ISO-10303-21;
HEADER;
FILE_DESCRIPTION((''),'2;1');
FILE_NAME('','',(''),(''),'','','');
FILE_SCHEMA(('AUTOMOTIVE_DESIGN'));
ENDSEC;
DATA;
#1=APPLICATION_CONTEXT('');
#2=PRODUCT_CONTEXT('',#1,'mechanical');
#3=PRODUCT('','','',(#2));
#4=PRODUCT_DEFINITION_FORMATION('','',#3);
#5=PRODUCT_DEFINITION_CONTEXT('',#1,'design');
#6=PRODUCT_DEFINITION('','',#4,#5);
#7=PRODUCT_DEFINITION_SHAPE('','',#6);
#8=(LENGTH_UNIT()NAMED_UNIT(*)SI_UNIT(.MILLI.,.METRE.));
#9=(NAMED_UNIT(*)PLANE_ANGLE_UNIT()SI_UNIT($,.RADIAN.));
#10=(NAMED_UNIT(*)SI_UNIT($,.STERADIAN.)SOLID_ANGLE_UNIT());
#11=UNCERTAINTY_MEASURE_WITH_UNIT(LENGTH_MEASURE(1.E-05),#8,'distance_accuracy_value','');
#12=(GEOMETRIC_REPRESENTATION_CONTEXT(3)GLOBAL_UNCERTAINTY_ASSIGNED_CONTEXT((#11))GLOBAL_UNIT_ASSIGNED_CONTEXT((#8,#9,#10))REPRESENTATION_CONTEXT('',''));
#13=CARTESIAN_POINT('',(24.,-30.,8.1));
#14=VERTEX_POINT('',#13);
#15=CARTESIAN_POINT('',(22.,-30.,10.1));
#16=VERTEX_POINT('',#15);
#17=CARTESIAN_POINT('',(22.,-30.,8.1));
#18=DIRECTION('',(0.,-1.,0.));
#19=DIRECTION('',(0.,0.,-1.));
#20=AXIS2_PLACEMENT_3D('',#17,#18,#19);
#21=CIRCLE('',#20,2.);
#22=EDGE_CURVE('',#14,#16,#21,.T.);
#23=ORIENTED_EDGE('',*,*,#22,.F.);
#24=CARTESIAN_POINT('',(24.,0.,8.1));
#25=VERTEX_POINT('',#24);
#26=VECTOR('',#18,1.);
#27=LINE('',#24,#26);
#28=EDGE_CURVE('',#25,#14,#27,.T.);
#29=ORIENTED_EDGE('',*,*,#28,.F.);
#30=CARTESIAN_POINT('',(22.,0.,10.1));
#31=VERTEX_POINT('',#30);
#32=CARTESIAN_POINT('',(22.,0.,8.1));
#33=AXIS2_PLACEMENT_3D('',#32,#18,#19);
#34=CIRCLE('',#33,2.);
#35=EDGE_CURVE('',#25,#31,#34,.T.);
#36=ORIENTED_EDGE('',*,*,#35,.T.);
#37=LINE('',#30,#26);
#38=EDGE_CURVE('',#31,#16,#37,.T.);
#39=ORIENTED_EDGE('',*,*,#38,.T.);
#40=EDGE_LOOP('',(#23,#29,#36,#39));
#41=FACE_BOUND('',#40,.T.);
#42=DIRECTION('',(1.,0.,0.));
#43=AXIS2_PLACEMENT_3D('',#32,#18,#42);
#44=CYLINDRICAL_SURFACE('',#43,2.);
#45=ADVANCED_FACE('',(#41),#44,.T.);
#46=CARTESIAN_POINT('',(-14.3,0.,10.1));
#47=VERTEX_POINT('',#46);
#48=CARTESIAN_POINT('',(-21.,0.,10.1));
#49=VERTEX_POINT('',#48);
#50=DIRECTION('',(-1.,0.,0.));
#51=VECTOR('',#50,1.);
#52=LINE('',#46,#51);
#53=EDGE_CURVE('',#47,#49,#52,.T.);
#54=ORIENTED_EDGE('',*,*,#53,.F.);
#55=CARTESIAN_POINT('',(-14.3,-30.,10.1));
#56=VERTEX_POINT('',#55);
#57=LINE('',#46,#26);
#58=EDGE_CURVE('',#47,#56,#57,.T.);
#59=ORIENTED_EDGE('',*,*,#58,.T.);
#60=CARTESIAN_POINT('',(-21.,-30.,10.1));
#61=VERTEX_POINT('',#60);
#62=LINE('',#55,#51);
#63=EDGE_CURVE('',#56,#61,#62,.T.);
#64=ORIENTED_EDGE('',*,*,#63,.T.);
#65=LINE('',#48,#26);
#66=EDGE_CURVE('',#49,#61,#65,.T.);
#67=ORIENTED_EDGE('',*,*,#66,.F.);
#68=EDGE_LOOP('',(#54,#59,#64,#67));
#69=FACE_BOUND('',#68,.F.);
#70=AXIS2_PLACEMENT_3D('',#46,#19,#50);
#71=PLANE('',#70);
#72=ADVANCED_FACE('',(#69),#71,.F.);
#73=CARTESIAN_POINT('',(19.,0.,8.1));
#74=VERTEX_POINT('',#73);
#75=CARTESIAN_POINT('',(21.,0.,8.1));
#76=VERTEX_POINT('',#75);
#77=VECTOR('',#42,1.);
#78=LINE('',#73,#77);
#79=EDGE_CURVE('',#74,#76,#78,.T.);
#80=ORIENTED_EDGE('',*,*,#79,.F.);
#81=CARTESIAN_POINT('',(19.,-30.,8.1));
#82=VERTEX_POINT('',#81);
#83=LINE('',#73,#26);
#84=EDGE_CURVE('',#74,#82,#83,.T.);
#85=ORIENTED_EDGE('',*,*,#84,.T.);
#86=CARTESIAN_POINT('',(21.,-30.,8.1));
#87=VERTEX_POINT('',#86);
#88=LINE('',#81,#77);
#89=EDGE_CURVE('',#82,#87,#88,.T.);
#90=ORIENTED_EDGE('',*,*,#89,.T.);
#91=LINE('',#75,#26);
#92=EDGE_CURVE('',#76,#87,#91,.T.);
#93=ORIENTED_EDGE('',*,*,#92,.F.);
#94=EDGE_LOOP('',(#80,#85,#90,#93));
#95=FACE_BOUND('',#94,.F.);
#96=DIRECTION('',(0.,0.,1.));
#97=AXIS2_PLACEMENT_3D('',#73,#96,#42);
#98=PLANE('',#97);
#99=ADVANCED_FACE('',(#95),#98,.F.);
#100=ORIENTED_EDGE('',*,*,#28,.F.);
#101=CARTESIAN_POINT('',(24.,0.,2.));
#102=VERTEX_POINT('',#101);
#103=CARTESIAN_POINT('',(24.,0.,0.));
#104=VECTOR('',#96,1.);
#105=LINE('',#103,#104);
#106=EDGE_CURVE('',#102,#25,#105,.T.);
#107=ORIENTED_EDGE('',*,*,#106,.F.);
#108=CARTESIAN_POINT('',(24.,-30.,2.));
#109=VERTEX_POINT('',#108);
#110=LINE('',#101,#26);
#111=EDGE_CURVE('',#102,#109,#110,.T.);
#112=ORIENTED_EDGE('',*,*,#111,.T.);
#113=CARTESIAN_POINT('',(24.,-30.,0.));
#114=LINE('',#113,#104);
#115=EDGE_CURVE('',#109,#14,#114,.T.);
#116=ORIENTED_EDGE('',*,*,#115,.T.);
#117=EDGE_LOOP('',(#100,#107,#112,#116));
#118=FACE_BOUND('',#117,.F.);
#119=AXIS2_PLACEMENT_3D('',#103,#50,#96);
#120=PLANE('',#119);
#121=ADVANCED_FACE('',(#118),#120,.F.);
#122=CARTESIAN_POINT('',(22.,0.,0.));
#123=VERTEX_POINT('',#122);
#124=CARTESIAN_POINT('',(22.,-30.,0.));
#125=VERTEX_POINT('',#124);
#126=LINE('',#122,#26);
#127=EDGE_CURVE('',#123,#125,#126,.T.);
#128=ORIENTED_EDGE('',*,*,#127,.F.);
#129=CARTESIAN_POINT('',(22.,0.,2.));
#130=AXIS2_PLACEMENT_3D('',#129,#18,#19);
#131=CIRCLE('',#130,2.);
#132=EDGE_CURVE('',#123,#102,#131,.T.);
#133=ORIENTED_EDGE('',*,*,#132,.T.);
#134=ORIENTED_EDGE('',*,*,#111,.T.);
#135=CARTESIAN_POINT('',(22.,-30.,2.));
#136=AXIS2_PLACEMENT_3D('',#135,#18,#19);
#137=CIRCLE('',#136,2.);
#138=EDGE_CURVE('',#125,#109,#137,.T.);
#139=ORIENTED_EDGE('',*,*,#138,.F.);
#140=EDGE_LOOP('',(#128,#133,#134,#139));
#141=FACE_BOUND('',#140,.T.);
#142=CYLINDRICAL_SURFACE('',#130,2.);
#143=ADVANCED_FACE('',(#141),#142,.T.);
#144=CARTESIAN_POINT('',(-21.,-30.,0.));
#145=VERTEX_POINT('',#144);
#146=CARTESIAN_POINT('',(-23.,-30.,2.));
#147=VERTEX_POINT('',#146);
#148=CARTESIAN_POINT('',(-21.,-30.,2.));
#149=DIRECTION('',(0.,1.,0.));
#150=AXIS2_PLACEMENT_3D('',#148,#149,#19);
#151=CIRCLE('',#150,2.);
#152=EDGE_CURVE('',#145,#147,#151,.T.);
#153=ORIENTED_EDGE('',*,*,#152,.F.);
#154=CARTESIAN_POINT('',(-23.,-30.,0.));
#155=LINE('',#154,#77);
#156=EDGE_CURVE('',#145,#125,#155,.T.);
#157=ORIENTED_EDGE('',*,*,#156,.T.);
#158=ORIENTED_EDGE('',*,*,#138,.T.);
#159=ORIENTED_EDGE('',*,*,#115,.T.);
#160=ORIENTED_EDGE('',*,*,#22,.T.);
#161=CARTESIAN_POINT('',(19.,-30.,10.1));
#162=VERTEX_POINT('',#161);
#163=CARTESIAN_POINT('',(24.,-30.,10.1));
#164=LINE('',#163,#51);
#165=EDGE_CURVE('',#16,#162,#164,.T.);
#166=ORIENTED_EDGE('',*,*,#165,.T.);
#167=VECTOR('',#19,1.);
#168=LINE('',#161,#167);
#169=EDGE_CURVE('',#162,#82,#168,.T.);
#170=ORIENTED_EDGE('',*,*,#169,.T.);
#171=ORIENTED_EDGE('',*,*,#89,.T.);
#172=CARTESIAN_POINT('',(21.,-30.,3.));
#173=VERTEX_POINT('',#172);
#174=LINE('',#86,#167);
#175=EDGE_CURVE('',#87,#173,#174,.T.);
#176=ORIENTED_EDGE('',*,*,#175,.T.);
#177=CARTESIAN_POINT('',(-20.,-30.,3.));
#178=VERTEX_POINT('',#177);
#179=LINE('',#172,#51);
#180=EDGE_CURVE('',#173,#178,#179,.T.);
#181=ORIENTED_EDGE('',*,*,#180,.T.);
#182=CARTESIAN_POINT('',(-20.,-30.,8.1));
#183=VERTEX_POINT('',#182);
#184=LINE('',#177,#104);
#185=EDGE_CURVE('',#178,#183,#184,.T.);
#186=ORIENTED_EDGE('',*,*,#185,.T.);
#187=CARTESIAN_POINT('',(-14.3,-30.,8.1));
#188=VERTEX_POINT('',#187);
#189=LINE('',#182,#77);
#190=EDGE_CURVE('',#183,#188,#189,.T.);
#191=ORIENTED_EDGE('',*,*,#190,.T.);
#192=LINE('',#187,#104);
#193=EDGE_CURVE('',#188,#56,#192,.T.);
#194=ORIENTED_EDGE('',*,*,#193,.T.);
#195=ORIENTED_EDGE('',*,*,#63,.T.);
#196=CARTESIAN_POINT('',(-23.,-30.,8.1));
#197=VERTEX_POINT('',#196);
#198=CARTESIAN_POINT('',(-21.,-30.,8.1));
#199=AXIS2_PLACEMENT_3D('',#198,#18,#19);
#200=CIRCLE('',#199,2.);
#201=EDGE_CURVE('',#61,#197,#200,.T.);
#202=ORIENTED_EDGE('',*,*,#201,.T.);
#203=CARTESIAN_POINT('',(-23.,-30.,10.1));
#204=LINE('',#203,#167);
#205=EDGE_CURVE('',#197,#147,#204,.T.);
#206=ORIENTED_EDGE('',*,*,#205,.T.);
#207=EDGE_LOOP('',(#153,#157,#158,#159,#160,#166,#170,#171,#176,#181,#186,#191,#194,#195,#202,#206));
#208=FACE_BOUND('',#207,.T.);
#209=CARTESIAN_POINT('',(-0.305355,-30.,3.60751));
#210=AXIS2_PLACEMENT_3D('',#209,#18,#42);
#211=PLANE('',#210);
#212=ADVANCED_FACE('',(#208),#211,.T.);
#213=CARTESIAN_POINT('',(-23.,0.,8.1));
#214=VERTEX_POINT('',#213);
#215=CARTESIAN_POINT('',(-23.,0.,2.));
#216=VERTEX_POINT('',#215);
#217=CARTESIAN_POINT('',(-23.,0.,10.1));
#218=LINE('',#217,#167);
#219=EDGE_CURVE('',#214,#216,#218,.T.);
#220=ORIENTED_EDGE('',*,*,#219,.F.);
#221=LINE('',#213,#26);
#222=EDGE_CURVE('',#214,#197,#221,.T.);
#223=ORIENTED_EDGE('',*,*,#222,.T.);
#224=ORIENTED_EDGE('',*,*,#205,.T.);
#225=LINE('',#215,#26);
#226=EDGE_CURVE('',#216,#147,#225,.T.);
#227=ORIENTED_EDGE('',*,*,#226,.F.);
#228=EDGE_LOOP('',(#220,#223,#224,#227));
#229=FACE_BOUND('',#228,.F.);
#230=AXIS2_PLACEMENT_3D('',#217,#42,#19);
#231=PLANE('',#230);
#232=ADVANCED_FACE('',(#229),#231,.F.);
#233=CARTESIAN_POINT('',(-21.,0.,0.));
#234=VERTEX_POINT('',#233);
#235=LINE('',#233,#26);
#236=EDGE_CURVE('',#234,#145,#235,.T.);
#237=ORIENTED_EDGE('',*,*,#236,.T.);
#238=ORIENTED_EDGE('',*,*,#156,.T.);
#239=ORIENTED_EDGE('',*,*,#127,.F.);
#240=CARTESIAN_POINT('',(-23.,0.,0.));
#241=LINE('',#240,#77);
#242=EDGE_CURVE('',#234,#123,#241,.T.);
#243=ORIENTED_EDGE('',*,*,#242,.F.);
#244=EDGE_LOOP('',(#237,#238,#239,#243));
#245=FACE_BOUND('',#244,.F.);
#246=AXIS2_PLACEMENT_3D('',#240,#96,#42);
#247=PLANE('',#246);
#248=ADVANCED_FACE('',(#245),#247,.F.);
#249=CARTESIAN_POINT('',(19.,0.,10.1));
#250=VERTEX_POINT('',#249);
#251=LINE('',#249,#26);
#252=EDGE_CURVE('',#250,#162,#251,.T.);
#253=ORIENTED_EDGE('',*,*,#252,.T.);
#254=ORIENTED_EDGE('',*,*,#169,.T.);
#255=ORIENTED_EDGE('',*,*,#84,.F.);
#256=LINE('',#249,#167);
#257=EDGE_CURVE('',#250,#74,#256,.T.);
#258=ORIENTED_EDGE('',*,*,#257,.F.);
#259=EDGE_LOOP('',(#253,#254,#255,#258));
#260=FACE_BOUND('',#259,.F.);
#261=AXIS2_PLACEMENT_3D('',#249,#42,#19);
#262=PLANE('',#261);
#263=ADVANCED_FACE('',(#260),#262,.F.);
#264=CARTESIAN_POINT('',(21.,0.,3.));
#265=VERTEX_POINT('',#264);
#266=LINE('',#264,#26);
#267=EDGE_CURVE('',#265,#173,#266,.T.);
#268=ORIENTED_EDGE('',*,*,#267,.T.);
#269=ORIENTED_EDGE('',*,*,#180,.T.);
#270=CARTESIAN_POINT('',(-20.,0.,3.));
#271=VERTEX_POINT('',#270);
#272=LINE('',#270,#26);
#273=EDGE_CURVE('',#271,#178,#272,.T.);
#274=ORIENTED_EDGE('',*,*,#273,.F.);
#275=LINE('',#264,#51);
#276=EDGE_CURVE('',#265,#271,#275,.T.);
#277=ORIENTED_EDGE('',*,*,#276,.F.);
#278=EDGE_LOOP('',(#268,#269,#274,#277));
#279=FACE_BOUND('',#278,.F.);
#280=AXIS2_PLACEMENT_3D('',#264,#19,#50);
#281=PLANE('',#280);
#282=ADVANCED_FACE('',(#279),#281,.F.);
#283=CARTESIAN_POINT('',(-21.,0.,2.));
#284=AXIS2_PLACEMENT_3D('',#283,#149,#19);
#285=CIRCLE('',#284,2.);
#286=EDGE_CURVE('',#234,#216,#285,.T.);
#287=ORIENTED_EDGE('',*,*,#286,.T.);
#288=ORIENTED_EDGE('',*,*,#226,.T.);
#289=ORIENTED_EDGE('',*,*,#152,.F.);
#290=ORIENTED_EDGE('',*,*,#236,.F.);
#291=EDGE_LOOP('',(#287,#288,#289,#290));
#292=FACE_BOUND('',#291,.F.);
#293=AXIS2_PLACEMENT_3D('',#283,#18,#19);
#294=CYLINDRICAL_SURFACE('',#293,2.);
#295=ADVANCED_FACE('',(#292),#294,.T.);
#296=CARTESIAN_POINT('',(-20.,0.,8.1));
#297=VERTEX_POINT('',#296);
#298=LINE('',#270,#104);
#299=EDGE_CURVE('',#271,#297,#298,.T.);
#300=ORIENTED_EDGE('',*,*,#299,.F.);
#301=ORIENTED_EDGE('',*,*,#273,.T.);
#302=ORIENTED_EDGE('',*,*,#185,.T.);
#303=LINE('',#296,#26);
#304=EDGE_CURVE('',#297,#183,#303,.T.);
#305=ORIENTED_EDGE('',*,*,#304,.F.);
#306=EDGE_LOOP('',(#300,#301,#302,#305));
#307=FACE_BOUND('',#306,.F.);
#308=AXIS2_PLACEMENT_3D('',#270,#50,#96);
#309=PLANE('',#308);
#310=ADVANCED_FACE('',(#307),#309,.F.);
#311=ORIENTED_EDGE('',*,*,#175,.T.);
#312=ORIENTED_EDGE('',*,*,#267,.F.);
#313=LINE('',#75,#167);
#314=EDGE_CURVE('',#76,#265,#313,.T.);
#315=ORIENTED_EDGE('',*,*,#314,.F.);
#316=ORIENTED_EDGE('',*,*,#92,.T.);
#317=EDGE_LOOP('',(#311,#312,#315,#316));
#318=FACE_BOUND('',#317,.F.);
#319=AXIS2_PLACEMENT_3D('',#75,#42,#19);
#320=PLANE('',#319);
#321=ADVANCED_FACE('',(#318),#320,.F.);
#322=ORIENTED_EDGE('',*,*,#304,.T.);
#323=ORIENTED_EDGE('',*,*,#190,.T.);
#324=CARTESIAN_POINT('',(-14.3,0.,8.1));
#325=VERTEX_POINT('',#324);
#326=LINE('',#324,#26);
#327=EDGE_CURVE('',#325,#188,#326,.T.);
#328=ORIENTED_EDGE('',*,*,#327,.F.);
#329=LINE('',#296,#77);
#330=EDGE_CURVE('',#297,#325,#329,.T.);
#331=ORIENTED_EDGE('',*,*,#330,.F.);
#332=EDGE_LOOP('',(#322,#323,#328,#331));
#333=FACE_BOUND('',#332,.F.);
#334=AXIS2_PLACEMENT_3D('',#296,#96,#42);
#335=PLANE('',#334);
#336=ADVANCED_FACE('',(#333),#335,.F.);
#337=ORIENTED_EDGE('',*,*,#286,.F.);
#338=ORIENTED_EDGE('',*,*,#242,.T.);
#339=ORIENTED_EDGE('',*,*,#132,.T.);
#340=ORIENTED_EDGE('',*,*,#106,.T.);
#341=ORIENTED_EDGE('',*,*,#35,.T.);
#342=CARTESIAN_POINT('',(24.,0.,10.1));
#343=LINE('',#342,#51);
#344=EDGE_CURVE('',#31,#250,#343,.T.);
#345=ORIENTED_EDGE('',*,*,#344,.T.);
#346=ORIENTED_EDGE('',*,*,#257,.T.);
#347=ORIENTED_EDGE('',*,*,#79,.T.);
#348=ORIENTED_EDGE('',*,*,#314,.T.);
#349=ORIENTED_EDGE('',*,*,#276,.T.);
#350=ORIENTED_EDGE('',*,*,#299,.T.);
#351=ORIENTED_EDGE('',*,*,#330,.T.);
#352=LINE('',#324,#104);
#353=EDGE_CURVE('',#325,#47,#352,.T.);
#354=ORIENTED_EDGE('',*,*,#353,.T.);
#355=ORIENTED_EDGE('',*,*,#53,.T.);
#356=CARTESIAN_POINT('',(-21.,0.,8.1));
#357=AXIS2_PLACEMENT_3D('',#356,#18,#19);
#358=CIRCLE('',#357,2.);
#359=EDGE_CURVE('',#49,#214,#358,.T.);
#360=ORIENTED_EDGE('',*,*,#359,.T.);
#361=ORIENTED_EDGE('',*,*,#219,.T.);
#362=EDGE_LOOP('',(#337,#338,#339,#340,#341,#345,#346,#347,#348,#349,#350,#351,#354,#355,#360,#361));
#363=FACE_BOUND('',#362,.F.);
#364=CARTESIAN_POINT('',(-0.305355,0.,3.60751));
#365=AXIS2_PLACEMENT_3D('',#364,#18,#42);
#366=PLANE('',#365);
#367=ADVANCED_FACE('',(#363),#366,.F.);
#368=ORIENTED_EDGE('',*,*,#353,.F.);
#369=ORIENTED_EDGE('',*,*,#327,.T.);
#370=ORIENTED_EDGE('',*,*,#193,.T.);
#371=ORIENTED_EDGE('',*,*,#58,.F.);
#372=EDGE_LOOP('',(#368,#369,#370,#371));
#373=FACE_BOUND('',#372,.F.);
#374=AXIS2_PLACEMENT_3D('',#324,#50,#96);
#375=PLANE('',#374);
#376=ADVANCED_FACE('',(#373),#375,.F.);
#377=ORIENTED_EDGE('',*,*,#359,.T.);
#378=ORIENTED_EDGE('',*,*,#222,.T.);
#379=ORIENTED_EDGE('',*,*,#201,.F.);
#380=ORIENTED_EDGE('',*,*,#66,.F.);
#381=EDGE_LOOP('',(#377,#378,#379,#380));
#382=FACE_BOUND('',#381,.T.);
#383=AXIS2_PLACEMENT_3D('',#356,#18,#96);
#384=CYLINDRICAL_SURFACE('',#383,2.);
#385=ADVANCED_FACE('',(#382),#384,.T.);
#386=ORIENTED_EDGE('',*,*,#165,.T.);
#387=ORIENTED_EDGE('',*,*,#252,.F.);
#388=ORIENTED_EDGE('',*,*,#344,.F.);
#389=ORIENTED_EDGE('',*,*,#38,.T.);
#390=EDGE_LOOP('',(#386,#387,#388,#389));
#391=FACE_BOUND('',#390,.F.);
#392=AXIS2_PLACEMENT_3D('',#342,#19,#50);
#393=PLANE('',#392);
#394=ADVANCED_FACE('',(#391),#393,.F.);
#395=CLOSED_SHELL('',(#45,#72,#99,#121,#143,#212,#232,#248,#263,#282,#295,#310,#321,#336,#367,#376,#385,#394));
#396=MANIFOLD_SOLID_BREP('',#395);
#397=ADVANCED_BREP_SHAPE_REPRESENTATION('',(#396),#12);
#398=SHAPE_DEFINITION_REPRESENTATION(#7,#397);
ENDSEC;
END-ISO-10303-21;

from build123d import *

# Parameters (mm, degrees)
F1_DEPTH = 30
F2_R     = 2


with BuildPart() as f1:
    # F0 (on Front) → F1 (new body)
    with BuildSketch(Plane.XZ):
        Polygon((-23, 0), (0, 0), (24, 0), (24, 10.1), (19, 10.1), (19, 8.1), (21, 8.1), (21, 3), (0, 3), (-20, 3), (-20, 8.1), (-14.3, 8.1), (-14.3, 10.1), (-23, 10.1), align=None)
    extrude(amount=F1_DEPTH)

    # F2
    f2_edges = [f1.edges().sort_by_distance(p)[0] for p in [
        (-23, -15, 10.1),
        (24, -15, 10.1),
        (-23, -15, 0),
        (24, -15, 0),
    ]]
    fillet(f2_edges, radius=F2_R)


solid = f1.part
